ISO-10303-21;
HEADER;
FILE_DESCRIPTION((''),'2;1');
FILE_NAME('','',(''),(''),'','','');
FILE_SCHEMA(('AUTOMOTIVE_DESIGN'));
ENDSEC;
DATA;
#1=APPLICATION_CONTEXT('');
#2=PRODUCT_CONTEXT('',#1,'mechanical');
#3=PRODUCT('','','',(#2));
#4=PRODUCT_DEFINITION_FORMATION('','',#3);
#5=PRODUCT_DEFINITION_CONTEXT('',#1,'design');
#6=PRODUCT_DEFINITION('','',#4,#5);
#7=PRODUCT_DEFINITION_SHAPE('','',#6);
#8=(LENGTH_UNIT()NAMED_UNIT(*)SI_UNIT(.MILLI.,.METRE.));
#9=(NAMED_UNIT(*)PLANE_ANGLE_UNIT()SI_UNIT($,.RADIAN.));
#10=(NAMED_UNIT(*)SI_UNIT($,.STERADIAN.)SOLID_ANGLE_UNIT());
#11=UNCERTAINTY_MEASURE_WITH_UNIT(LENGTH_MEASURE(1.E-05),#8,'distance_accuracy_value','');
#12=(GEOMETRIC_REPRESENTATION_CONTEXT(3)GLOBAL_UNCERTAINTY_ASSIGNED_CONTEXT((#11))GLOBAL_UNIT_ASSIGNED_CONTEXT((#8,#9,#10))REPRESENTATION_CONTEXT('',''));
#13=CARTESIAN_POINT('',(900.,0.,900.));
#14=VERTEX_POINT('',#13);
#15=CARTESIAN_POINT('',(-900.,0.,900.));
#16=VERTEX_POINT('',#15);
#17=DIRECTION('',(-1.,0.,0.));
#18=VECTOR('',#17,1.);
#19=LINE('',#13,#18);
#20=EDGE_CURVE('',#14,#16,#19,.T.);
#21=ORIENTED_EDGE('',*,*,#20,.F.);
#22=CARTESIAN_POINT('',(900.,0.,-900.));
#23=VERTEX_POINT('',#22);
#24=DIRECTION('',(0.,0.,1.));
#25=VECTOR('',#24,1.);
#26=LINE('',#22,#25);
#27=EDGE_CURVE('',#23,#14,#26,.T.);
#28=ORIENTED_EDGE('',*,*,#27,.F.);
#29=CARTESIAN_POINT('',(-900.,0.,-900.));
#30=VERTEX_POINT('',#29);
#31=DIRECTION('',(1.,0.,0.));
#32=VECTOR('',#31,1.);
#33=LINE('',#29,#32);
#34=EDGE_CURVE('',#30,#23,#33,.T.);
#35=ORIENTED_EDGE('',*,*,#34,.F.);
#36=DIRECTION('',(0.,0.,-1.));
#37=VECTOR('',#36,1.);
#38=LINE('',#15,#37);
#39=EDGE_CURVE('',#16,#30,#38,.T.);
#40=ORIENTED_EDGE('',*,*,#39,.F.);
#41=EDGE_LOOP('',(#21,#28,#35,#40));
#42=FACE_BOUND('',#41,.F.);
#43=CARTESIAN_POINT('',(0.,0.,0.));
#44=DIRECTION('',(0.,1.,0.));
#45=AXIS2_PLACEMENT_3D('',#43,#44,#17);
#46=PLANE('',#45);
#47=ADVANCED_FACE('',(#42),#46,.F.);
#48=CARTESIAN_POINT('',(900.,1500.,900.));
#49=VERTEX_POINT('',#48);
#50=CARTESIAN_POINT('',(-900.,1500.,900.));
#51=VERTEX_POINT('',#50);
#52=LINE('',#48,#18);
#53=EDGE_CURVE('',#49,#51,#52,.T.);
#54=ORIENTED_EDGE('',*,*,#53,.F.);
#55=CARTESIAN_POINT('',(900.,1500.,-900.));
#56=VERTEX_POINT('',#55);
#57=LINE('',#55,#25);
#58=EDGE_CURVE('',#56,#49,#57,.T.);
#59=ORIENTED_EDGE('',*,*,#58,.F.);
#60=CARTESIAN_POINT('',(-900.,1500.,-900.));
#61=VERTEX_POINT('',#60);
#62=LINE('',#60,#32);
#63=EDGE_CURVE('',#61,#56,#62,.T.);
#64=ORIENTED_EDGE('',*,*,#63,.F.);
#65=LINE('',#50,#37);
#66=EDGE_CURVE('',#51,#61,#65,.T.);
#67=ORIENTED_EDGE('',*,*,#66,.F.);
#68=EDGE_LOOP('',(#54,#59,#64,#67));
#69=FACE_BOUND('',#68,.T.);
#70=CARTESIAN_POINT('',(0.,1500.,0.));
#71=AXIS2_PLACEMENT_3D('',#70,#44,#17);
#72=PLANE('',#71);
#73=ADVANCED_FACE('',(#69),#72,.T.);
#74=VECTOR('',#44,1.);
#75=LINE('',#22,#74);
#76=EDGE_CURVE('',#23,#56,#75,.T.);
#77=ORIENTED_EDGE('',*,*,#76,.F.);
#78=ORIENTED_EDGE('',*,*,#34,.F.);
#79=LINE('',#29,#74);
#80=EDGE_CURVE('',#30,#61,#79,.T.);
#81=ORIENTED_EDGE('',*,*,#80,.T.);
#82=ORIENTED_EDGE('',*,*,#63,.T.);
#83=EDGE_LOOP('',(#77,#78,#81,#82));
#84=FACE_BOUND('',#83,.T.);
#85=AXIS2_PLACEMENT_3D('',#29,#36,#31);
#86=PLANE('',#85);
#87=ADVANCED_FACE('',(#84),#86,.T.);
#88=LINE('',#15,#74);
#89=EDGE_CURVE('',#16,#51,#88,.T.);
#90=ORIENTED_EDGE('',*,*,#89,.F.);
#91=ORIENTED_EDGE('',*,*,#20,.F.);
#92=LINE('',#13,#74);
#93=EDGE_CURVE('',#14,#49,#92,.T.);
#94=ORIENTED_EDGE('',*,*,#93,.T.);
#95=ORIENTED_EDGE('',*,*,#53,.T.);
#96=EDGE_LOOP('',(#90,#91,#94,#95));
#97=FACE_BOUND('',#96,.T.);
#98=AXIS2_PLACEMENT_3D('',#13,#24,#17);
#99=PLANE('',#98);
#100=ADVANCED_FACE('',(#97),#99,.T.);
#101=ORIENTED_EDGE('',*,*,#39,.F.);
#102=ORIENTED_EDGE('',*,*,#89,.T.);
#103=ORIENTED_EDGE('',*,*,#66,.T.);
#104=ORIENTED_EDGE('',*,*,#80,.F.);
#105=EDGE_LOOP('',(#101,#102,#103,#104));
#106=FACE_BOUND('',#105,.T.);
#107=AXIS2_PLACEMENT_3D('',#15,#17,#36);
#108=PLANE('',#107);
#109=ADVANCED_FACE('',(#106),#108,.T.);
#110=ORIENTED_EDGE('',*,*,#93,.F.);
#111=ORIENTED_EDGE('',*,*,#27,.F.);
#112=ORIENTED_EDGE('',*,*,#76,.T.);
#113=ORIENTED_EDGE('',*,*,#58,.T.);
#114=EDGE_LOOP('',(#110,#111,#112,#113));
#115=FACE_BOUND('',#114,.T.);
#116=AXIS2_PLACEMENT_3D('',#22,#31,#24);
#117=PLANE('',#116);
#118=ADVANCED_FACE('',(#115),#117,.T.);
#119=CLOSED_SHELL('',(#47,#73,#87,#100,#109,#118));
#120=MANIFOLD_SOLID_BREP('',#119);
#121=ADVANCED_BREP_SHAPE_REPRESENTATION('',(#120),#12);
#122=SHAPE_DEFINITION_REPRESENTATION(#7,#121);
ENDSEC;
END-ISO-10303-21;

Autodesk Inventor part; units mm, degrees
ref_plane "YZ Plane" through (0, 0, 0) normal (1, 0, 0) x (0, 1, 0)
ref_plane "XZ Plane" through (0, 0, 0) normal (0, 1, 0) x (-1, 0, 0)
ref_plane "XY Plane" through (0, 0, 0) normal (0, 0, 1) x (1, 0, 0)
sketch "Sketch1" plane through (0, 0, 0) normal (0, 1, 0) x (-1, 0, 0)
  line L0 (-900, 900) -> (900, 900)
  line L1 (900, 900) -> (900, -900)
  line L2 (900, -900) -> (-900, -900)
  line L3 (-900, -900) -> (-900, 900)
  line L4 (-900, -900) -> (900, 900) construction
  point P0 (0, 0)
  point P1 (0, 0)
  dimension "d0" = 1800
  dimension "d1" = 1800
extrude "Extrusion1" add sketch "Sketch1" along normal blind 1500
properties part number "Эскиз рама"
